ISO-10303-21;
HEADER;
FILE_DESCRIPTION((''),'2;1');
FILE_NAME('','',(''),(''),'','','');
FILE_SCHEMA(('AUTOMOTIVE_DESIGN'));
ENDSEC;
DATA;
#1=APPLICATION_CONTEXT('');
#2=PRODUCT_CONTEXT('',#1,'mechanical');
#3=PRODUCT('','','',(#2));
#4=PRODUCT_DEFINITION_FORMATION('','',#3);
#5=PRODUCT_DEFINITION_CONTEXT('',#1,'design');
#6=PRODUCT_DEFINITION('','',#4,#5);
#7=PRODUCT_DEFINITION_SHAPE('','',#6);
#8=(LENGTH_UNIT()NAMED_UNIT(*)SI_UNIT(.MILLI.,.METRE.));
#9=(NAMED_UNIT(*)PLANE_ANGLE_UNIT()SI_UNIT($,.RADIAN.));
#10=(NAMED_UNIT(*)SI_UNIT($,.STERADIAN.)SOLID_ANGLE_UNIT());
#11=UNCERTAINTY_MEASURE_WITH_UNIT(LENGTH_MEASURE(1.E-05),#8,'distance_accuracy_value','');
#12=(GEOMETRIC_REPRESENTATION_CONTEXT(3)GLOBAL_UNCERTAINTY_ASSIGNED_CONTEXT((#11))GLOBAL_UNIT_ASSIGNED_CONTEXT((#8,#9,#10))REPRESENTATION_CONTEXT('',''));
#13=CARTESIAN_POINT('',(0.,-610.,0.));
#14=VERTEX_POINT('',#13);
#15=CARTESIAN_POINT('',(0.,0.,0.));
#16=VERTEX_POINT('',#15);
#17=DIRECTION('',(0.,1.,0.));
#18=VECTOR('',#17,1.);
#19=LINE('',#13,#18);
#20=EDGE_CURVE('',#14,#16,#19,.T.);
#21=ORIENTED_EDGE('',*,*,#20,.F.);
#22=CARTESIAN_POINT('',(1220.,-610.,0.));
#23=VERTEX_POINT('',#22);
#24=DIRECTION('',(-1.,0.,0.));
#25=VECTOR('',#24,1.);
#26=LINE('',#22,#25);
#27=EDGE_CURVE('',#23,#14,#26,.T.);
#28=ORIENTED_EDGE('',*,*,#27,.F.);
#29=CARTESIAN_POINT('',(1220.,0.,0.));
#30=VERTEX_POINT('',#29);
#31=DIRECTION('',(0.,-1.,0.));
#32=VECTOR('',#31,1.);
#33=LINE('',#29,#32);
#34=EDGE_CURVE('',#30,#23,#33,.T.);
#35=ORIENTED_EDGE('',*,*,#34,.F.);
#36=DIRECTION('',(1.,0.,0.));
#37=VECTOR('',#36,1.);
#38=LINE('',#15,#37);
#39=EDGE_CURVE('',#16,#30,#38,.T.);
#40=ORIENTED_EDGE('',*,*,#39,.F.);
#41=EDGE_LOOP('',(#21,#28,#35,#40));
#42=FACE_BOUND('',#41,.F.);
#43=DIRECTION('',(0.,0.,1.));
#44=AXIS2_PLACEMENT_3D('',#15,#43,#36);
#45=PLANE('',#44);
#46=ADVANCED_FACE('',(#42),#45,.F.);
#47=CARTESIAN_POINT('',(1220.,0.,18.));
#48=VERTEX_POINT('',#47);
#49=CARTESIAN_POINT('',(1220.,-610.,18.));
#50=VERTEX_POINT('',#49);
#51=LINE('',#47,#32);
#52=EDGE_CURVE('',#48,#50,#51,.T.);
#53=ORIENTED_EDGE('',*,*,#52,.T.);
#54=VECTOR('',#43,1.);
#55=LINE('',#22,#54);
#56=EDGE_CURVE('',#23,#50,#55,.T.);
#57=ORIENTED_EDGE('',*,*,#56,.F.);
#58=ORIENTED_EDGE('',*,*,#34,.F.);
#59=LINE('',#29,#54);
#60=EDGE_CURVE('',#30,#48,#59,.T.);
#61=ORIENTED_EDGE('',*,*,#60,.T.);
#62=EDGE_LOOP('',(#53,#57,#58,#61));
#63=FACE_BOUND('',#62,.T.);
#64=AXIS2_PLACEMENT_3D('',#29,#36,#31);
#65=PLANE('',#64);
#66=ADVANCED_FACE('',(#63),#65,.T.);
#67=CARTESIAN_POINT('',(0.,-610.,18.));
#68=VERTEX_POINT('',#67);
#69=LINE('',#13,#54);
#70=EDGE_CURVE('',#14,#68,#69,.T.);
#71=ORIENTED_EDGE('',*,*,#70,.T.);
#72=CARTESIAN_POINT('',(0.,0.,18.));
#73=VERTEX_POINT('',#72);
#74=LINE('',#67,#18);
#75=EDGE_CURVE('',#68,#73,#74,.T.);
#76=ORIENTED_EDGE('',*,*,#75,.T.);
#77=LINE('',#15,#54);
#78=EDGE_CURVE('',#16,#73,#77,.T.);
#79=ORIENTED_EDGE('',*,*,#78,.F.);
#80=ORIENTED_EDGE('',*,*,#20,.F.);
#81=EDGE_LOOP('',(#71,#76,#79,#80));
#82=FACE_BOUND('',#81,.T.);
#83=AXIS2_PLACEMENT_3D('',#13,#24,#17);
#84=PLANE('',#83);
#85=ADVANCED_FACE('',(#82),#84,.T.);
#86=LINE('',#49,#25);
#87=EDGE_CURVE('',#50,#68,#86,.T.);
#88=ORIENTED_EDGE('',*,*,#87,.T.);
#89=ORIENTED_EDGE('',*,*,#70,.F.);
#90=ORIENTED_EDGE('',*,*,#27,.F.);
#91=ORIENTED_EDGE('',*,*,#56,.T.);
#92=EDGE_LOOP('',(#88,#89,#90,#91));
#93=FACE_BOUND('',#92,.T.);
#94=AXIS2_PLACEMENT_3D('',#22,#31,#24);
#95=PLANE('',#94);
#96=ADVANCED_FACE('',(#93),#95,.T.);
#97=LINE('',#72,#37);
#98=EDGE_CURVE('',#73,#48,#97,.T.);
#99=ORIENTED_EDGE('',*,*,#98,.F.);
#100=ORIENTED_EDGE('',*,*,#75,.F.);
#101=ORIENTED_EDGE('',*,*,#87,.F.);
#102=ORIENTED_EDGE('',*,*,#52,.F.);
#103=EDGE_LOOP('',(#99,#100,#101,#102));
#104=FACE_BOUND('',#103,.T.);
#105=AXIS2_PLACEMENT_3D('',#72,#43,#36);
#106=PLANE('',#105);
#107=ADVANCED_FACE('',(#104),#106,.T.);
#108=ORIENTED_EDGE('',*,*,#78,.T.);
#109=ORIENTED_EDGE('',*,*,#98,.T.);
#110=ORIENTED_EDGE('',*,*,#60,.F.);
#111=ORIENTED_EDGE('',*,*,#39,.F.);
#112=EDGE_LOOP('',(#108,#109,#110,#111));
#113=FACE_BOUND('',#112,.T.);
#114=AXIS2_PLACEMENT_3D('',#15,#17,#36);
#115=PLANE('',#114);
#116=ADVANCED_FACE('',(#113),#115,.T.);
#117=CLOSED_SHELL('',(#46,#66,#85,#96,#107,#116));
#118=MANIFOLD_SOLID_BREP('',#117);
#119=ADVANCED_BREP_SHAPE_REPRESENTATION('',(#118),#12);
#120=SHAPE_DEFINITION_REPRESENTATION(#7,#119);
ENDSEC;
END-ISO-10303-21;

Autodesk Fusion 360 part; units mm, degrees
sketch "Board_1" plane through (0, 0, 0) normal (0, 0, 1) x (1, 0, 0)
  line L0 (0, 0) -> (1220, 0)
  line L1 (1220, 0) -> (1220, -610)
  line L2 (1220, -610) -> (0, -610)
  line L3 (0, -610) -> (0, 0)
  dimension "d1" = 1220
  dimension "d2" = 610
sketch "Board_1_piece_1" plane through (0, 0, 0) normal (0, 0, 1) x (1, 0, 0)
  line L0 (70, -120) -> (920, -120)
  line L1 (945, -95) -> (945, -90)
  line L2 (45, -90) -> (45, -95)
  arc A0 (45, -95) -> (70, -120) centre (70, -95) ccw
  arc A1 (920, -120) -> (945, -95) centre (920, -95) ccw
  line L3 (45, -90) -> (945, -90)
  line L4 (45, -70) -> (945, -70)
  line L5 (945, -70) -> (945, -65)
  arc A2 (945, -65) -> (920, -40) centre (920, -65) ccw
  line L6 (920, -40) -> (70, -40)
  arc A3 (70, -40) -> (45, -65) centre (70, -65) ccw
  line L7 (45, -65) -> (45, -70)
  arc A4 (70, -140) -> (45, -165) centre (70, -165) ccw
  line L8 (45, -190) -> (45, -195)
  arc A5 (45, -195) -> (70, -220) centre (70, -195) ccw
  line L9 (45, -190) -> (945, -190)
  line L10 (945, -170) -> (945, -165)
  line L11 (45, -165) -> (45, -170)
  line L12 (920, -140) -> (70, -140)
  line L13 (45, -170) -> (945, -170)
  arc A6 (945, -165) -> (920, -140) centre (920, -165) ccw
  line L14 (70, -220) -> (920, -220)
  arc A7 (920, -220) -> (945, -195) centre (920, -195) ccw
  line L15 (945, -195) -> (945, -190)
  line L16 (45, -270) -> (945, -270)
  line L17 (45, -290) -> (45, -295)
  arc A8 (920, -320) -> (945, -295) centre (920, -295) ccw
  arc A9 (70, -240) -> (45, -265) centre (70, -265) ccw
  line L18 (945, -295) -> (945, -290)
  line L19 (45, -290) -> (945, -290)
  line L20 (45, -265) -> (45, -270)
  line L21 (920, -240) -> (70, -240)
  line L22 (945, -270) -> (945, -265)
  arc A10 (45, -295) -> (70, -320) centre (70, -295) ccw
  arc A11 (945, -265) -> (920, -240) centre (920, -265) ccw
  line L23 (70, -320) -> (920, -320)
  line L24 (45, -390) -> (945, -390)
  arc A12 (920, -420) -> (945, -395) centre (920, -395) ccw
  line L25 (70, -420) -> (920, -420)
  arc A13 (70, -340) -> (45, -365) centre (70, -365) ccw
  line L26 (45, -365) -> (45, -370)
  arc A14 (945, -365) -> (920, -340) centre (920, -365) ccw
  line L27 (920, -340) -> (70, -340)
  line L28 (45, -370) -> (945, -370)
  line L29 (45, -390) -> (45, -395)
  arc A15 (45, -395) -> (70, -420) centre (70, -395) ccw
  line L30 (945, -395) -> (945, -390)
  line L31 (945, -370) -> (945, -365)
  point P0 (45, -120)
  point P1 (945, -120)
  point P2 (45, -60)
  point P3 (45, -220)
  point P4 (945, -220)
  point P5 (45, -160)
  point P6 (45, -320)
  point P7 (945, -320)
  point P8 (45, -260)
  point P9 (45, -420)
  point P10 (945, -420)
  point P11 (45, -360)
  dimension "d5" = 900
  dimension "d6" = 60
  dimension "d17" = 25
  dimension "d24" = 25
  dimension "d189" = 25
  dimension "d190" = 25
  dimension "d191" = 900
  dimension "d192" = 60
  dimension "d193" = 25
  dimension "d194" = 25
  dimension "d195" = 25
  dimension "d196" = 25
  dimension "d197" = 900
  dimension "d198" = 60
  dimension "d199" = 25
  dimension "d200" = 25
  dimension "d201" = 25
  dimension "d202" = 25
  dimension "d203" = 900
  dimension "d204" = 60
  dimension "d205" = 25
  dimension "d206" = 25
  dimension "d207" = 25
  dimension "d208" = 25
sketch "Board_3" plane through (0, 0, 0) normal (0, 0, 1) x (1, 0, 0)
sketch "Board_3_piece_1" plane through (0, 0, 0) normal (0, 0, 1) x (1, 0, 0)
sketch "Board_3_piece_2" plane through (0, 0, 0) normal (0, 0, 1) x (1, 0, 0)
  line L0 (1044.3853, -226.0896) -> (1105.6147, -226.0896)
  line L1 (1105.6147, -226.0896) -> (1148.9104, -269.3853)
  line L2 (1044.3853, -226.0896) -> (1105.6147, -226.0896)
  line L3 (1148.9104, -330.6147) -> (1105.6147, -373.9104)
  line L4 (1001.0896, -269.3853) -> (1044.3853, -226.0896)
  line L5 (1105.6147, -373.9104) -> (1044.3853, -373.9104)
  line L6 (1001.0896, -269.3853) -> (1044.3853, -226.0896)
  line L7 (1044.3853, -373.9104) -> (1001.0896, -330.6147)
  line L8 (1148.9104, -269.3853) -> (1148.9104, -330.6147)
  line L9 (1001.0896, -330.6147) -> (1001.0896, -269.3853)
  line L10 (1105.6147, -373.9104) -> (1044.3853, -373.9104)
  line L11 (1148.9104, -269.3853) -> (1148.9104, -330.6147)
  line L12 (1044.3853, -373.9104) -> (1001.0896, -330.6147)
  line L13 (1001.0896, -330.6147) -> (1001.0896, -269.3853)
  line L14 (1105.6147, -226.0896) -> (1148.9104, -269.3853)
  line L15 (1148.9104, -330.6147) -> (1105.6147, -373.9104)
  line L16 (94.3853, -436.0896) -> (155.6147, -436.0896)
  line L17 (155.6147, -583.9104) -> (94.3853, -583.9104)
  line L18 (51.0896, -540.6147) -> (51.0896, -479.3853)
  line L19 (198.9104, -540.6147) -> (155.6147, -583.9104)
  line L20 (198.9104, -540.6147) -> (155.6147, -583.9104)
  line L21 (94.3853, -583.9104) -> (51.0896, -540.6147)
  line L22 (155.6147, -583.9104) -> (94.3853, -583.9104)
  line L23 (94.3853, -436.0896) -> (155.6147, -436.0896)
  line L24 (198.9104, -479.3853) -> (198.9104, -540.6147)
  line L25 (51.0896, -540.6147) -> (51.0896, -479.3853)
  line L26 (94.3853, -583.9104) -> (51.0896, -540.6147)
  line L27 (198.9104, -479.3853) -> (198.9104, -540.6147)
  line L28 (155.6147, -436.0896) -> (198.9104, -479.3853)
  line L29 (51.0896, -479.3853) -> (94.3853, -436.0896)
  line L30 (51.0896, -479.3853) -> (94.3853, -436.0896)
  line L31 (155.6147, -436.0896) -> (198.9104, -479.3853)
  line L32 (335.6147, -436.0896) -> (378.9104, -479.3853)
  line L33 (335.6147, -436.0896) -> (378.9104, -479.3853)
  line L34 (335.6147, -583.9104) -> (274.3853, -583.9104)
  line L35 (378.9104, -540.6147) -> (335.6147, -583.9104)
  line L36 (274.3853, -583.9104) -> (231.0896, -540.6147)
  line L37 (274.3853, -583.9104) -> (231.0896, -540.6147)
  line L38 (274.3853, -436.0896) -> (335.6147, -436.0896)
  line L39 (231.0896, -479.3853) -> (274.3853, -436.0896)
  line L40 (231.0896, -540.6147) -> (231.0896, -479.3853)
  line L41 (231.0896, -479.3853) -> (274.3853, -436.0896)
  line L42 (378.9104, -540.6147) -> (335.6147, -583.9104)
  line L43 (378.9104, -479.3853) -> (378.9104, -540.6147)
  line L44 (378.9104, -479.3853) -> (378.9104, -540.6147)
  line L45 (274.3853, -436.0896) -> (335.6147, -436.0896)
  line L46 (231.0896, -540.6147) -> (231.0896, -479.3853)
  line L47 (335.6147, -583.9104) -> (274.3853, -583.9104)
  line L48 (515.6147, -583.9104) -> (454.3853, -583.9104)
  line L49 (515.6147, -583.9104) -> (454.3853, -583.9104)
  line L50 (454.3853, -583.9104) -> (411.0896, -540.6147)
  line L51 (411.0896, -540.6147) -> (411.0896, -479.3853)
  line L52 (411.0896, -540.6147) -> (411.0896, -479.3853)
  line L53 (454.3853, -436.0896) -> (515.6147, -436.0896)
  line L54 (558.9104, -479.3853) -> (558.9104, -540.6147)
  line L55 (558.9104, -540.6147) -> (515.6147, -583.9104)
  line L56 (411.0896, -479.3853) -> (454.3853, -436.0896)
  line L57 (558.9104, -479.3853) -> (558.9104, -540.6147)
  line L58 (515.6147, -436.0896) -> (558.9104, -479.3853)
  line L59 (515.6147, -436.0896) -> (558.9104, -479.3853)
  line L60 (454.3853, -436.0896) -> (515.6147, -436.0896)
  line L61 (411.0896, -479.3853) -> (454.3853, -436.0896)
  line L62 (454.3853, -583.9104) -> (411.0896, -540.6147)
  line L63 (558.9104, -540.6147) -> (515.6147, -583.9104)
  line L64 (738.9104, -540.6147) -> (695.6147, -583.9104)
  line L65 (591.0896, -479.3853) -> (634.3853, -436.0896)
  line L66 (738.9104, -540.6147) -> (695.6147, -583.9104)
  line L67 (695.6147, -436.0896) -> (738.9104, -479.3853)
  line L68 (591.0896, -540.6147) -> (591.0896, -479.3853)
  line L69 (738.9104, -479.3853) -> (738.9104, -540.6147)
  line L70 (591.0896, -540.6147) -> (591.0896, -479.3853)
  line L71 (634.3853, -436.0896) -> (695.6147, -436.0896)
  line L72 (695.6147, -583.9104) -> (634.3853, -583.9104)
  line L73 (634.3853, -583.9104) -> (591.0896, -540.6147)
  line L74 (695.6147, -583.9104) -> (634.3853, -583.9104)
  line L75 (634.3853, -436.0896) -> (695.6147, -436.0896)
  line L76 (738.9104, -479.3853) -> (738.9104, -540.6147)
  line L77 (634.3853, -583.9104) -> (591.0896, -540.6147)
  line L78 (591.0896, -479.3853) -> (634.3853, -436.0896)
  line L79 (695.6147, -436.0896) -> (738.9104, -479.3853)
  line L80 (771.0896, -540.6147) -> (771.0896, -479.3853)
  line L81 (875.6147, -583.9104) -> (814.3853, -583.9104)
  line L82 (875.6147, -436.0896) -> (918.9104, -479.3853)
  line L83 (814.3853, -583.9104) -> (771.0896, -540.6147)
  line L84 (814.3853, -583.9104) -> (771.0896, -540.6147)
  line L85 (875.6147, -436.0896) -> (918.9104, -479.3853)
  line L86 (875.6147, -583.9104) -> (814.3853, -583.9104)
  line L87 (814.3853, -436.0896) -> (875.6147, -436.0896)
  line L88 (771.0896, -479.3853) -> (814.3853, -436.0896)
  line L89 (918.9104, -540.6147) -> (875.6147, -583.9104)
  line L90 (771.0896, -540.6147) -> (771.0896, -479.3853)
  line L91 (918.9104, -479.3853) -> (918.9104, -540.6147)
  line L92 (814.3853, -436.0896) -> (875.6147, -436.0896)
  line L93 (918.9104, -479.3853) -> (918.9104, -540.6147)
  line L94 (771.0896, -479.3853) -> (814.3853, -436.0896)
  line L95 (918.9104, -540.6147) -> (875.6147, -583.9104)
  line L96 (1055.6147, -436.0896) -> (1098.9104, -479.3853)
  line L97 (994.3853, -583.9104) -> (951.0896, -540.6147)
  line L98 (1055.6147, -583.9104) -> (994.3853, -583.9104)
  line L99 (1098.9104, -540.6147) -> (1055.6147, -583.9104)
  line L100 (1055.6147, -583.9104) -> (994.3853, -583.9104)
  line L101 (1098.9104, -479.3853) -> (1098.9104, -540.6147)
  line L102 (951.0896, -540.6147) -> (951.0896, -479.3853)
  line L103 (951.0896, -479.3853) -> (994.3853, -436.0896)
  line L104 (1055.6147, -436.0896) -> (1098.9104, -479.3853)
  line L105 (1098.9104, -479.3853) -> (1098.9104, -540.6147)
  line L106 (951.0896, -540.6147) -> (951.0896, -479.3853)
  line L107 (994.3853, -436.0896) -> (1055.6147, -436.0896)
  line L108 (994.3853, -583.9104) -> (951.0896, -540.6147)
  line L109 (994.3853, -436.0896) -> (1055.6147, -436.0896)
  line L110 (1098.9104, -540.6147) -> (1055.6147, -583.9104)
  line L111 (951.0896, -479.3853) -> (994.3853, -436.0896)
  line L112 (1044.3853, -193.9104) -> (1001.0896, -150.6147)
  line L113 (1044.3853, -193.9104) -> (1001.0896, -150.6147)
  line L114 (1105.6147, -193.9104) -> (1044.3853, -193.9104)
  line L115 (1105.6147, -46.0896) -> (1148.9104, -89.3853)
  line L116 (1001.0896, -150.6147) -> (1001.0896, -89.3853)
  line L117 (1105.6147, -46.0896) -> (1148.9104, -89.3853)
  line L118 (1001.0896, -89.3853) -> (1044.3853, -46.0896)
  line L119 (1148.9104, -89.3853) -> (1148.9104, -150.6147)
  line L120 (1044.3853, -46.0896) -> (1105.6147, -46.0896)
  line L121 (1148.9104, -89.3853) -> (1148.9104, -150.6147)
  line L122 (1044.3853, -46.0896) -> (1105.6147, -46.0896)
  line L123 (1001.0896, -150.6147) -> (1001.0896, -89.3853)
  line L124 (1148.9104, -150.6147) -> (1105.6147, -193.9104)
  line L125 (1105.6147, -193.9104) -> (1044.3853, -193.9104)
  line L126 (1001.0896, -89.3853) -> (1044.3853, -46.0896)
  line L127 (1148.9104, -150.6147) -> (1105.6147, -193.9104)
  circle A0 centre (1075, -120) radius 48.25
  circle A1 centre (1075, -300) radius 48.25
  circle A2 centre (1025, -510) radius 48.25
  circle A3 centre (845, -510) radius 48.25
  circle A4 centre (665, -510) radius 48.25
  circle A5 centre (485, -510) radius 48.25
  circle A6 centre (305, -510) radius 48.25
  circle A7 centre (125, -510) radius 48.25
  dimension "d219" = 96.5
  dimension "d220" = 96.5
  dimension "d221" = 96.5
  dimension "d222" = 96.5
  dimension "d223" = 96.5
  dimension "d224" = 96.5
  dimension "d225" = 96.5
  dimension "d226" = 96.5
extrude "Extrude1" add sketch "Board_1" along normal blind 18
